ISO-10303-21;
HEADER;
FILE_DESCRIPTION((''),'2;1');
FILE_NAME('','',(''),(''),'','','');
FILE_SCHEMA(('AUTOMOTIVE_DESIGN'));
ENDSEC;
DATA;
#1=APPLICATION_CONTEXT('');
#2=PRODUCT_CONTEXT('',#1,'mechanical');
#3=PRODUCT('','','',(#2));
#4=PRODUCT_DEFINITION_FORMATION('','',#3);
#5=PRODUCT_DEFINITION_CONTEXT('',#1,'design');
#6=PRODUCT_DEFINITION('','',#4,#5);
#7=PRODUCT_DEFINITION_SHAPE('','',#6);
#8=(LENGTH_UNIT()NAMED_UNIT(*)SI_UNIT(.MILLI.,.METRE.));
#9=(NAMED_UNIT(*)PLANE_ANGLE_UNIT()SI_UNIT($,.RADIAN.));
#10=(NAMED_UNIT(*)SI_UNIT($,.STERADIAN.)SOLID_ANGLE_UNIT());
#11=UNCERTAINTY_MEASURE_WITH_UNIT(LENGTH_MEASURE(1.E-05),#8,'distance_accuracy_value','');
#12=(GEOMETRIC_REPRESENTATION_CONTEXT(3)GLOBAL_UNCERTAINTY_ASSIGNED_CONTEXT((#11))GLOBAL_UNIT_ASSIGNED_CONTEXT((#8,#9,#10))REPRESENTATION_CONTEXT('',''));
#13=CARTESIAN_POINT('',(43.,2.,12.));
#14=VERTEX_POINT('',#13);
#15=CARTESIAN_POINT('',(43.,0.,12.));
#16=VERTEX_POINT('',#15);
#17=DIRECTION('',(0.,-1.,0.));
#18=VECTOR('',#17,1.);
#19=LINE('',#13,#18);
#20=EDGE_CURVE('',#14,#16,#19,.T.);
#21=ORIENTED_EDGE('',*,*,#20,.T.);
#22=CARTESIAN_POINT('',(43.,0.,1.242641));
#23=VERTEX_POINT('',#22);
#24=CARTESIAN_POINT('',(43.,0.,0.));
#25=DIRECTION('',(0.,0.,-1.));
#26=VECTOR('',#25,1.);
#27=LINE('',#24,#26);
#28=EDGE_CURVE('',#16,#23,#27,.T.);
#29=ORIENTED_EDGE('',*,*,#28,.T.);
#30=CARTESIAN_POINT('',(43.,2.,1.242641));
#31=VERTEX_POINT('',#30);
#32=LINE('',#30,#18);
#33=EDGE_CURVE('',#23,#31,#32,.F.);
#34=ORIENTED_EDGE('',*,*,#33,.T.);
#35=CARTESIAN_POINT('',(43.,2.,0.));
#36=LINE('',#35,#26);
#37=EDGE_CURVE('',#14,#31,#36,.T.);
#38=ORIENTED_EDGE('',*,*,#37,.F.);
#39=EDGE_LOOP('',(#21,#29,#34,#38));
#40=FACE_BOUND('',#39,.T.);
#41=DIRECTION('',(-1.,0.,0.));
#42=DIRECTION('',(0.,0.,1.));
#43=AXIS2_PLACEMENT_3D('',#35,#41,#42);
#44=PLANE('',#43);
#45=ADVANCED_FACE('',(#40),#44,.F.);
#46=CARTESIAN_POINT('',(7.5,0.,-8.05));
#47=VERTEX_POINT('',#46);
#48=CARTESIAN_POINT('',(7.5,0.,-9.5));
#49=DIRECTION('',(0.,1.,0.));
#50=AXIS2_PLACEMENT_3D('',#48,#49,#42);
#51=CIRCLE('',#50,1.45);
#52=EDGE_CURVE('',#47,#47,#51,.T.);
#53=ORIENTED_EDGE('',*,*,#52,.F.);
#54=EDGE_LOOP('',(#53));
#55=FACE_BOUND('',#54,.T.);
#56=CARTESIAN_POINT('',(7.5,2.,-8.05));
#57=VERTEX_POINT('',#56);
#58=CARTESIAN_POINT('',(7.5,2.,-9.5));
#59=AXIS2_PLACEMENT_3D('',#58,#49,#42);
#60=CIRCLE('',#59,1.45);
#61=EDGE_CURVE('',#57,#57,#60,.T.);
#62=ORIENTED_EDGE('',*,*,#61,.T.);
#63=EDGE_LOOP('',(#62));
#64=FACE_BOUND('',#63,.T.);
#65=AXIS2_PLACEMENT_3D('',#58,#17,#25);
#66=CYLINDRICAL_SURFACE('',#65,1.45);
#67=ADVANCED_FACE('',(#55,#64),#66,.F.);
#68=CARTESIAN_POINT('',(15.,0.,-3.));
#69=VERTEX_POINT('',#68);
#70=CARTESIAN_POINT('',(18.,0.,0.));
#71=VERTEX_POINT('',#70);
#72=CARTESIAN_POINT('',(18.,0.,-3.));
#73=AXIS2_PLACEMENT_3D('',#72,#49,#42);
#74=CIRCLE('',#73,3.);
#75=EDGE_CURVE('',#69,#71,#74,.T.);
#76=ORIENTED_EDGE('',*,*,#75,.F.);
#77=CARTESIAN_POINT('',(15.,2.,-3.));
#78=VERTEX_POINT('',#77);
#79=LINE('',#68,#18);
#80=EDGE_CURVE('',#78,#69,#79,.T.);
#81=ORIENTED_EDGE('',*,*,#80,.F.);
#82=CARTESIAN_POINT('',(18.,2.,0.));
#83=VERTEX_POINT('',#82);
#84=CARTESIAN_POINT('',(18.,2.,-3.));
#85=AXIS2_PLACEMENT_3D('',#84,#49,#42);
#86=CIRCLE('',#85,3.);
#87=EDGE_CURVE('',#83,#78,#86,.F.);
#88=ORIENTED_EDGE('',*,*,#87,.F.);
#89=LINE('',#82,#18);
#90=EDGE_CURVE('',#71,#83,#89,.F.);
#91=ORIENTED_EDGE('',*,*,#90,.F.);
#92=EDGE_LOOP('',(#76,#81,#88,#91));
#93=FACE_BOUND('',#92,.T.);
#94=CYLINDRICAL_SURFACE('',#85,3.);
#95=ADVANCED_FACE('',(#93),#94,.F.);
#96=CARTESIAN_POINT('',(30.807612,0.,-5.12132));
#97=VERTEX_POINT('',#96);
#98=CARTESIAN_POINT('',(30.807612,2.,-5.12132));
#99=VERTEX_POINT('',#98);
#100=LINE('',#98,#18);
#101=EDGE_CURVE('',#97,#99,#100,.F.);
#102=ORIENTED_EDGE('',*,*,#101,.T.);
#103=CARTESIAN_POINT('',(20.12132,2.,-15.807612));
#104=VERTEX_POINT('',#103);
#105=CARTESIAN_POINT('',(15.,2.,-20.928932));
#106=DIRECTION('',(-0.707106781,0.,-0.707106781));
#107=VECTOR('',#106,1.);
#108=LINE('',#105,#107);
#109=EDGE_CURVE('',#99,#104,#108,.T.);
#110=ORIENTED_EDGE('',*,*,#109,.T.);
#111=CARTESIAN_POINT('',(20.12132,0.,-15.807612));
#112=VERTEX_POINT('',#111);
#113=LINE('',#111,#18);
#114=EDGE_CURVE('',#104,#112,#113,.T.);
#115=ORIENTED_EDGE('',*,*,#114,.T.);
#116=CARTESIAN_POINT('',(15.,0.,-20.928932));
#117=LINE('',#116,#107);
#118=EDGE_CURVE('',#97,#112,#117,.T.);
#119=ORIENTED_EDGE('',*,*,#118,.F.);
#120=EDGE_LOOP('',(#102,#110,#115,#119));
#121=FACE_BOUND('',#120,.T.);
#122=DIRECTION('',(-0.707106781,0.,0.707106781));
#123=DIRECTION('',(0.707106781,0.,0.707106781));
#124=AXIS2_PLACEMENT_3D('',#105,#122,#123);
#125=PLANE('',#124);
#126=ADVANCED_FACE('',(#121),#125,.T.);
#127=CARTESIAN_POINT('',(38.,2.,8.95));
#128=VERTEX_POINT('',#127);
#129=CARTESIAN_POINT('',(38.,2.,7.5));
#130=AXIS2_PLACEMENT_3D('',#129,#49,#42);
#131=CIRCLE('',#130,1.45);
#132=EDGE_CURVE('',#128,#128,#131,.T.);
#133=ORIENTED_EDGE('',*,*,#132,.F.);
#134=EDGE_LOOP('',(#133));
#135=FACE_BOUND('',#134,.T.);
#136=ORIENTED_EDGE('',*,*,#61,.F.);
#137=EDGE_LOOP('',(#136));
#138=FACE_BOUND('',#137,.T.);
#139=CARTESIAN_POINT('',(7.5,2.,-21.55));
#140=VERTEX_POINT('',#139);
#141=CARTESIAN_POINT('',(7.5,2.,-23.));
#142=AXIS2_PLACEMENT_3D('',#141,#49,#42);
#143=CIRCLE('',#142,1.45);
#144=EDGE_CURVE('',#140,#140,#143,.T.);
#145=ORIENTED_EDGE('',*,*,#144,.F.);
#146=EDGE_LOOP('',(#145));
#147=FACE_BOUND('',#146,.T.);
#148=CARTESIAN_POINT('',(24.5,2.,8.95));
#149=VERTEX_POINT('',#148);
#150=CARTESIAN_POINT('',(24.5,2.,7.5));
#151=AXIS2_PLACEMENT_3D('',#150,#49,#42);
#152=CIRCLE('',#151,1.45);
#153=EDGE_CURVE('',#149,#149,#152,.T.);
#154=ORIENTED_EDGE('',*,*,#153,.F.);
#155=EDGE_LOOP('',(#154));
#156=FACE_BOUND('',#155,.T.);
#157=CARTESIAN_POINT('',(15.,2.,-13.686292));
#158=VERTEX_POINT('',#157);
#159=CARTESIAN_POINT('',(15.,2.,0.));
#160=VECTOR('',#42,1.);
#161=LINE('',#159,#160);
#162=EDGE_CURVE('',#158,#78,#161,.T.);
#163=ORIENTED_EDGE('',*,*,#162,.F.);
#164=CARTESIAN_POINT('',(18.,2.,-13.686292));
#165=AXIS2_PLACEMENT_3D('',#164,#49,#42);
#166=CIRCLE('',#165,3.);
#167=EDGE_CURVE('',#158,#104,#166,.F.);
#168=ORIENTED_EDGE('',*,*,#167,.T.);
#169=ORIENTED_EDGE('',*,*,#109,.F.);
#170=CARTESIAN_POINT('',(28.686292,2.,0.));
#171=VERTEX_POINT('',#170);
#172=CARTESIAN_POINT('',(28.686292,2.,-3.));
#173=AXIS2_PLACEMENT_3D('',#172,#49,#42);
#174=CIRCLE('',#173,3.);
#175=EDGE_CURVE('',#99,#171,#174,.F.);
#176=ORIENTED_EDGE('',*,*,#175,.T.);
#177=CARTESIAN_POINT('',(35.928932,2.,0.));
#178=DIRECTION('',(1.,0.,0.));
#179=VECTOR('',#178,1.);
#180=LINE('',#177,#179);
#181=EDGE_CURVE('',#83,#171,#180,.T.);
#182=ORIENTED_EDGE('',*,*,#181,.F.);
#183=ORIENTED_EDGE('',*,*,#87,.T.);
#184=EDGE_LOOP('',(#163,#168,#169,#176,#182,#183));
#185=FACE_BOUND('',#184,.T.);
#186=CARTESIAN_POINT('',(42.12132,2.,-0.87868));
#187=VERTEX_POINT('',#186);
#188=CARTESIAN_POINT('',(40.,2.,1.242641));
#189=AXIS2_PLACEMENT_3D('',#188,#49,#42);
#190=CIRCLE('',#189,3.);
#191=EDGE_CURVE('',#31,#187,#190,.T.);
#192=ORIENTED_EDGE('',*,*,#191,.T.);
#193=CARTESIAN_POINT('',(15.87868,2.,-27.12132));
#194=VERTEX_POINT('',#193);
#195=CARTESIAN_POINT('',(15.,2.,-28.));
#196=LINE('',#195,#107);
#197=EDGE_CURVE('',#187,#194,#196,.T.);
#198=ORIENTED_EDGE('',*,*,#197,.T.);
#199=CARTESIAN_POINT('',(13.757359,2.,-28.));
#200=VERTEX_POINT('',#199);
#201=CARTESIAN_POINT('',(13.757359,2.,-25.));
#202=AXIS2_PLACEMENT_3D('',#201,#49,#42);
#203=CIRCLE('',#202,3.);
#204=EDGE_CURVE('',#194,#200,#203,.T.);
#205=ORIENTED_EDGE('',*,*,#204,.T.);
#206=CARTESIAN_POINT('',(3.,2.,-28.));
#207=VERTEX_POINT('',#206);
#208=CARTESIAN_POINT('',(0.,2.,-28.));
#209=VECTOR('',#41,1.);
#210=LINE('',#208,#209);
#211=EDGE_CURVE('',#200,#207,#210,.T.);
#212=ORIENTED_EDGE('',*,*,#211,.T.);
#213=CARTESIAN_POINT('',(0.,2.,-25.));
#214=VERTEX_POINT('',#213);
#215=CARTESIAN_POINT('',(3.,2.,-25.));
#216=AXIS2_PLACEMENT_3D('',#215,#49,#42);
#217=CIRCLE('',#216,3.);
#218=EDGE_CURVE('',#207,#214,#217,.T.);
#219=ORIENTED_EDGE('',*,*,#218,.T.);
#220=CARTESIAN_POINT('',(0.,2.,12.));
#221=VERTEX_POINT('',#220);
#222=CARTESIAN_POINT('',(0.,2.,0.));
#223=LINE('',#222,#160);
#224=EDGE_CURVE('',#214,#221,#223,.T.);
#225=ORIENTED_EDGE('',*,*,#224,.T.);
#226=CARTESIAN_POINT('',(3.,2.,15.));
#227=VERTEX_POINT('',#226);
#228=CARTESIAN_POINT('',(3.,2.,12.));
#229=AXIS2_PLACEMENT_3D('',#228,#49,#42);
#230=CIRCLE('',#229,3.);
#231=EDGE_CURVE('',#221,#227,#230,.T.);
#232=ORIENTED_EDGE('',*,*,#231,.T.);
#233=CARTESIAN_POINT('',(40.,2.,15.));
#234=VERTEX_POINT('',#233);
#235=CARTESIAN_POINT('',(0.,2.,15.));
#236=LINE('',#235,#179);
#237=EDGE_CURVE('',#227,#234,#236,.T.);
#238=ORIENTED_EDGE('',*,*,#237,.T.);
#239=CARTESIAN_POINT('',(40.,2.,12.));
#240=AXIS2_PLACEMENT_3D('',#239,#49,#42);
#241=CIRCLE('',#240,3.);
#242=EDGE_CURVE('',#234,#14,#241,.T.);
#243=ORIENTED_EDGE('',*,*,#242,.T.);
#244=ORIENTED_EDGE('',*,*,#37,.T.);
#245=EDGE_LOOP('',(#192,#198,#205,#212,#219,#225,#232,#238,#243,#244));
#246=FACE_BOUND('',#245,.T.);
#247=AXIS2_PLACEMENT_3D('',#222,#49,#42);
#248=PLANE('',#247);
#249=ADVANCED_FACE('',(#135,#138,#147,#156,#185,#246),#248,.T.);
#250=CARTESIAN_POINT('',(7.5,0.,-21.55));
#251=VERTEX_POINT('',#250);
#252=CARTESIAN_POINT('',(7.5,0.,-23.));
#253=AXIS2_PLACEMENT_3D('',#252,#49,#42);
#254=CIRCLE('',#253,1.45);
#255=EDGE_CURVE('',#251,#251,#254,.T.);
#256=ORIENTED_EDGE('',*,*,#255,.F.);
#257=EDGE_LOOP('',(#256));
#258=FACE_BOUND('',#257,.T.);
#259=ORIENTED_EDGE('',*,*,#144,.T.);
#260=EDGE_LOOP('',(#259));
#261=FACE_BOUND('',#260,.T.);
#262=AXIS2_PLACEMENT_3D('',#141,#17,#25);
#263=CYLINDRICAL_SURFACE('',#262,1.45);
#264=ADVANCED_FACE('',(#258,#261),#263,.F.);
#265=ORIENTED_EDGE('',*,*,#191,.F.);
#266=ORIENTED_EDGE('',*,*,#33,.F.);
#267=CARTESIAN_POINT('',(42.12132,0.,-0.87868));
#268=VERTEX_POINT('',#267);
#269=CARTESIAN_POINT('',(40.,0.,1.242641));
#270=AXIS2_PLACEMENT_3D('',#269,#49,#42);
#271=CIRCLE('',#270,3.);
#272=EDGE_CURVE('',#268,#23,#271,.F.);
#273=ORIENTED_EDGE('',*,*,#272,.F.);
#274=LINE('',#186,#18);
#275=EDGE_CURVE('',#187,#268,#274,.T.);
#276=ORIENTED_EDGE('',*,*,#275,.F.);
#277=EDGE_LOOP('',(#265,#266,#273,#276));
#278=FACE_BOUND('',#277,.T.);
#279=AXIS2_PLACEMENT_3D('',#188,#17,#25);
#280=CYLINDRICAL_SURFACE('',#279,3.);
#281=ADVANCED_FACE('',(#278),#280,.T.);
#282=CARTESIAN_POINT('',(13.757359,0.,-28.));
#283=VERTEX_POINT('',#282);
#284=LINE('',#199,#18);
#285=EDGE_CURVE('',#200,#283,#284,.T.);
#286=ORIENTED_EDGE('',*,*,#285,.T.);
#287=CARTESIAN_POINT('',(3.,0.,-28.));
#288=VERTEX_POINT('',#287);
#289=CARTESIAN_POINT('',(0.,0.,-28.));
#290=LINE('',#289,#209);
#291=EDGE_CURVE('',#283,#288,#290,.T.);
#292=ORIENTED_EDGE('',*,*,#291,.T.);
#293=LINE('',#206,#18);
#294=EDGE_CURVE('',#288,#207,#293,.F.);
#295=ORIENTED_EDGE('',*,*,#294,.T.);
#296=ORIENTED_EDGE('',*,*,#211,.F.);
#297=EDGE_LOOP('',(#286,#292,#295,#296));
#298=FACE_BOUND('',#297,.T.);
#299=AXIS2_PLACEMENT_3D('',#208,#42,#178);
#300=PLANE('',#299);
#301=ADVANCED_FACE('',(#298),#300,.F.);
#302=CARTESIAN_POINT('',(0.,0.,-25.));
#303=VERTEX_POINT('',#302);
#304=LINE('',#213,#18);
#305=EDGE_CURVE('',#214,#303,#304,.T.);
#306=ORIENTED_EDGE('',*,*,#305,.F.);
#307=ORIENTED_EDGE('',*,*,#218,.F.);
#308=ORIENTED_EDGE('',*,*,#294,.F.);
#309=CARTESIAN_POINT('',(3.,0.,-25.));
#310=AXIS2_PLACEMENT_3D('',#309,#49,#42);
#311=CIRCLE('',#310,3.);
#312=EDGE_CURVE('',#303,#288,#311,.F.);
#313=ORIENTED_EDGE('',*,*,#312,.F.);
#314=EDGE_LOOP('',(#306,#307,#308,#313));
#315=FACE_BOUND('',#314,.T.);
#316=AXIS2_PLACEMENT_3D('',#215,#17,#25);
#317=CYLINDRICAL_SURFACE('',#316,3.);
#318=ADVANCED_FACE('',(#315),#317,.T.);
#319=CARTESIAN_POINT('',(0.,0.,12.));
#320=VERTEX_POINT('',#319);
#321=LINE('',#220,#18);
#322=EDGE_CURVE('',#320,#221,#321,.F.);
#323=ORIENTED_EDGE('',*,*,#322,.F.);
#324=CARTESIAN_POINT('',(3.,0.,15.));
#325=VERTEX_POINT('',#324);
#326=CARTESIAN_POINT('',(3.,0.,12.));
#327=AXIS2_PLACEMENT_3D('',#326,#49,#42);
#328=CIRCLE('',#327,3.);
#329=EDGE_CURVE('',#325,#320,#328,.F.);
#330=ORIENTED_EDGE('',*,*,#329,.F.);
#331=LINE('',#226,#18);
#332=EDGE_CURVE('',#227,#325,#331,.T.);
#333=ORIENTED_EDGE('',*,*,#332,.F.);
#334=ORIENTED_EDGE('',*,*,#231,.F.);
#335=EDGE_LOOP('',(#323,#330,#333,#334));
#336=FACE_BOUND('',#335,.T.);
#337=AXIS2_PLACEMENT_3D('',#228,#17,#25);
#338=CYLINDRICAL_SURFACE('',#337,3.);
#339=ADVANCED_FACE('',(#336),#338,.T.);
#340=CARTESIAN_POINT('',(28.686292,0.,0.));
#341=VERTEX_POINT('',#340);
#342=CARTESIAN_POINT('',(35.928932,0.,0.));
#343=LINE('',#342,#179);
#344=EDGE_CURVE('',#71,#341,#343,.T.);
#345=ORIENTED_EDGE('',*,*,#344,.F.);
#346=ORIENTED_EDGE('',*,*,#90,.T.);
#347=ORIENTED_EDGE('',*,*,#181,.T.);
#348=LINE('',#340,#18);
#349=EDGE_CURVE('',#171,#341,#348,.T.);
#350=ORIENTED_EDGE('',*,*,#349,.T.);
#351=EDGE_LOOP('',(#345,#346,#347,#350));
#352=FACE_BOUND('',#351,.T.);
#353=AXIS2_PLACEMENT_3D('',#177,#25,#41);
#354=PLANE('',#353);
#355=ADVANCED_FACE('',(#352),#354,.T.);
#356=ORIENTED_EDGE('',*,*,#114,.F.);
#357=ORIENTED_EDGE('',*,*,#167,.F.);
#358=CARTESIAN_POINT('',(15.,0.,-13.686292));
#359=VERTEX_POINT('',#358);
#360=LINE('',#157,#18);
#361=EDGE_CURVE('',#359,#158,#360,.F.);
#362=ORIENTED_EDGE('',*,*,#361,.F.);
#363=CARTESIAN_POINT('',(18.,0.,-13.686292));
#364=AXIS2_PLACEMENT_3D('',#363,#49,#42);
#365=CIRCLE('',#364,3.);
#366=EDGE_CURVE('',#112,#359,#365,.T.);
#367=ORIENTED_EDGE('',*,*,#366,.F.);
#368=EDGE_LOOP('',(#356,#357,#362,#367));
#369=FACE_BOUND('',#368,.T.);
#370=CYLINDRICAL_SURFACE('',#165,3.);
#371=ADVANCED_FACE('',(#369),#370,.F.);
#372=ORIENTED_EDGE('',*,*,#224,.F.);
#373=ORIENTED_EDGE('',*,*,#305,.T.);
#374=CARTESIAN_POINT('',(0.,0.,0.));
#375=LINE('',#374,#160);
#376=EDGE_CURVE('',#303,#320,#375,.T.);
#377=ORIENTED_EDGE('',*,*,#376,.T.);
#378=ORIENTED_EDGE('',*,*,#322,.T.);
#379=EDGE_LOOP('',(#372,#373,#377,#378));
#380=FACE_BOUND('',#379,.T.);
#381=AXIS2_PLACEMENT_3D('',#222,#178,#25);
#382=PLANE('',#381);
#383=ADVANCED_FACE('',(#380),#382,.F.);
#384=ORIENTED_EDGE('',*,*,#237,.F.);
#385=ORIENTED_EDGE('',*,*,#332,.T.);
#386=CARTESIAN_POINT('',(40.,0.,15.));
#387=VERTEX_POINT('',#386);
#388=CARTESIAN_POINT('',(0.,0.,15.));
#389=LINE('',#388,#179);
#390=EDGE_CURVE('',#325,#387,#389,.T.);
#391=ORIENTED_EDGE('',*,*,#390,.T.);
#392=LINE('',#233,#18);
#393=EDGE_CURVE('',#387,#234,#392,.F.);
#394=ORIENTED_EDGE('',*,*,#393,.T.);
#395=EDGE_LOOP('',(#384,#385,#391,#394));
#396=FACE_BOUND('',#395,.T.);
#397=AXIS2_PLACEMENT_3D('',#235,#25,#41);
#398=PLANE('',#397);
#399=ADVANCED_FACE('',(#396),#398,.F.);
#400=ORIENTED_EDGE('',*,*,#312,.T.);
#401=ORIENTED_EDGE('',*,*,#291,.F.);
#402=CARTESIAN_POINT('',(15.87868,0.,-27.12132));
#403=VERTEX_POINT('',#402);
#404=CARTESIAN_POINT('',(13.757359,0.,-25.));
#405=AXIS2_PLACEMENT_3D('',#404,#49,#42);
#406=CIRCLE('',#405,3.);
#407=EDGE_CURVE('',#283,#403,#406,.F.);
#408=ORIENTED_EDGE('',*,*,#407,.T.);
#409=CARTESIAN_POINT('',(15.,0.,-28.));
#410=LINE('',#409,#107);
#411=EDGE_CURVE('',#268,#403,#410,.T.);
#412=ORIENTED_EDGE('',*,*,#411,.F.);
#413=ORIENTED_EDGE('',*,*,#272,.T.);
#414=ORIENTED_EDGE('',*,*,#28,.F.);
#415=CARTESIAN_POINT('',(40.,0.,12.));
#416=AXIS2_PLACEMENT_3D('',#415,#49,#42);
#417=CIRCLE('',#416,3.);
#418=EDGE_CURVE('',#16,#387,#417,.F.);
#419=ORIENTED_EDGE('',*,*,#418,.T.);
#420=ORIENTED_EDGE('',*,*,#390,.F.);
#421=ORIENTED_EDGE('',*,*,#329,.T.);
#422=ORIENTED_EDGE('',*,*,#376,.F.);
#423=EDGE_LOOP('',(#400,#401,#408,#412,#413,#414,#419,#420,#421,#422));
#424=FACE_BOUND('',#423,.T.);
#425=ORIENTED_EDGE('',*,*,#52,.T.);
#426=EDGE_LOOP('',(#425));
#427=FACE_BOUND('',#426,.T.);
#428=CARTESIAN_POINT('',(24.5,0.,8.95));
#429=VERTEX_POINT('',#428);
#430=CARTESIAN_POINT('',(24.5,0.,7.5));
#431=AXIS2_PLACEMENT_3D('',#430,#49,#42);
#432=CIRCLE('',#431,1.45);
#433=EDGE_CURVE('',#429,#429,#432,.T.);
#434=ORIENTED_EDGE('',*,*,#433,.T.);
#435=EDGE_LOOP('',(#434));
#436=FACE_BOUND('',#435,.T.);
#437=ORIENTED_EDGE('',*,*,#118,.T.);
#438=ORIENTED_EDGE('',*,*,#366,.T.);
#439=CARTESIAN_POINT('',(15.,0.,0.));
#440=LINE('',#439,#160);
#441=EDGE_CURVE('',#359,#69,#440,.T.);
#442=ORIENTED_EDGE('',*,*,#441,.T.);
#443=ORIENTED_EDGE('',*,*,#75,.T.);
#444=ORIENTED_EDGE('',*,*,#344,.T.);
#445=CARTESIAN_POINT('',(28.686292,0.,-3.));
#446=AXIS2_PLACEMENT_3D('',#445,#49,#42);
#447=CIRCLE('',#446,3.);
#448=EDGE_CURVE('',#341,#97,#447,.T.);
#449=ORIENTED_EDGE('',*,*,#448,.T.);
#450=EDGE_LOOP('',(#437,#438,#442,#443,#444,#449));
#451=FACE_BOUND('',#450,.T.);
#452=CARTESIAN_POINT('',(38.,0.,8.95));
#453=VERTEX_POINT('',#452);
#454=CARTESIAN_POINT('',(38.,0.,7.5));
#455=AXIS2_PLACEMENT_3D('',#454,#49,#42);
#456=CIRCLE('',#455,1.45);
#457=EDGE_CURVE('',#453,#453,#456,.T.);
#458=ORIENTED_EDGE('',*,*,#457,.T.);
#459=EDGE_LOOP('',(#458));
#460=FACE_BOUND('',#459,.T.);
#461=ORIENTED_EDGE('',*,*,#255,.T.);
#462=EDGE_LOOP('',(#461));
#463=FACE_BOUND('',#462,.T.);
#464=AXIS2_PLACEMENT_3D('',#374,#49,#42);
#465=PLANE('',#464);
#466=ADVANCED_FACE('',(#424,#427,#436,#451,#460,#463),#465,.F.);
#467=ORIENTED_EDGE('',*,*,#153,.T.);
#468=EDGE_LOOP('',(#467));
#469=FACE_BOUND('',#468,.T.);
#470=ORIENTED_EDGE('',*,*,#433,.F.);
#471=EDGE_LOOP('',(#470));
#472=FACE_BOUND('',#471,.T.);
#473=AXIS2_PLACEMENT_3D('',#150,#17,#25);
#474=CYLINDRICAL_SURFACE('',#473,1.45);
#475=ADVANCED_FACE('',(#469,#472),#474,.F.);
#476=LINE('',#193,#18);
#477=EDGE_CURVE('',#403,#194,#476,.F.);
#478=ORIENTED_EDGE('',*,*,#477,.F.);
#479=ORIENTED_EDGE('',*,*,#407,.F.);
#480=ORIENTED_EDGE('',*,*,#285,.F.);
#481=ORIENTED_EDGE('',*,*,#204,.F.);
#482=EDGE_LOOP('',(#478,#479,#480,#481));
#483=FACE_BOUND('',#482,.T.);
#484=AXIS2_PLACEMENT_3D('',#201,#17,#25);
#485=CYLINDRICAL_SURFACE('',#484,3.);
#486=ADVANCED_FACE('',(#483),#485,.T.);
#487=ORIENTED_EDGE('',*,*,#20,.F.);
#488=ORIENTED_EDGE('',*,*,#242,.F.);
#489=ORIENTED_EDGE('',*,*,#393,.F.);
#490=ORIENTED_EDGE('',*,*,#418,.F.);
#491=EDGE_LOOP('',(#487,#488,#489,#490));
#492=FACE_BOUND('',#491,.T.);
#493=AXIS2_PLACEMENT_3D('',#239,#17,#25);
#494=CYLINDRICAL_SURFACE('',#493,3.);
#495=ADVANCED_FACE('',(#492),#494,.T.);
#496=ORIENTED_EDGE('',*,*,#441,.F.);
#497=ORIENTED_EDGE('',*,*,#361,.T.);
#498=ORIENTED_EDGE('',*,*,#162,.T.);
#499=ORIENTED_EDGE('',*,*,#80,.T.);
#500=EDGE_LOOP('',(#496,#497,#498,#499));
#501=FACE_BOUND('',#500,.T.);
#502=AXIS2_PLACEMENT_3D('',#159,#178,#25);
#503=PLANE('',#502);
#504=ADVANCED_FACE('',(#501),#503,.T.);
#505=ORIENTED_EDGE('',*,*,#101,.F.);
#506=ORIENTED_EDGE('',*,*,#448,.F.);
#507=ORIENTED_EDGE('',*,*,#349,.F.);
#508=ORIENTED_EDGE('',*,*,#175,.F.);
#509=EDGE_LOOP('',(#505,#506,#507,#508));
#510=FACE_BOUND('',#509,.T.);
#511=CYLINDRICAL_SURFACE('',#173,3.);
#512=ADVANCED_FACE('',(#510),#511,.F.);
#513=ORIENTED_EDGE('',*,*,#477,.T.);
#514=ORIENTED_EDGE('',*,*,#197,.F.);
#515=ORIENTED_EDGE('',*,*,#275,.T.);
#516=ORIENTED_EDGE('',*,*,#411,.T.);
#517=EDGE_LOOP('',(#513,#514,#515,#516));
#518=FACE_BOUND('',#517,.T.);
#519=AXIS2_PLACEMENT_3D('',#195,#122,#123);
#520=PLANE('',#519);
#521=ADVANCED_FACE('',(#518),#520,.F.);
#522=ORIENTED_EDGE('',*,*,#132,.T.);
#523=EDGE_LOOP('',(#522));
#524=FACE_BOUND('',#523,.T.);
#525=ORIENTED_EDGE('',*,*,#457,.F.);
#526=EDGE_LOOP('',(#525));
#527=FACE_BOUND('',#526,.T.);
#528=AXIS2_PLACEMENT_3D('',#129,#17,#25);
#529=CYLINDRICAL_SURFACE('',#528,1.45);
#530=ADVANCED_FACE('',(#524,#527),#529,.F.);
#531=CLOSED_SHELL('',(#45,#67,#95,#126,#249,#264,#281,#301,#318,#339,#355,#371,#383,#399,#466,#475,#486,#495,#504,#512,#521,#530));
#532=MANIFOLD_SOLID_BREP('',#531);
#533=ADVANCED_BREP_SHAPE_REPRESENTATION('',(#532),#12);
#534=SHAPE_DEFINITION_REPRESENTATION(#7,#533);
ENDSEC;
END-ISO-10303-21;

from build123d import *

# Parameters (mm, degrees)
SKETCH_1_R      = 1.45
EXTRUDE_1_DEPTH = 2
FILLET_2_R      = 3


with BuildPart() as part:
    # 草图1 → 凸台-拉伸1 (new body)
    with BuildSketch(Plane(origin=(0, 0, 0), x_dir=(1, 0, 0), z_dir=(0, 1, 0))):
        Polygon((15, 28), (43, 0), (43, -15), (0, -15), (0, 0), (0, 28), align=None)
        with Locations(Location((24.5, -7.5, 0), (0, 0, 270))):
            Circle(SKETCH_1_R, mode=Mode.SUBTRACT)
        with Locations(Location((7.5, 9.5, 0), (0, 0, 270))):
            Circle(SKETCH_1_R, mode=Mode.SUBTRACT)
        with Locations(Location((38, -7.5, 0), (0, 0, 270))):
            Circle(SKETCH_1_R, mode=Mode.SUBTRACT)
        with Locations(Location((7.5, 23, 0), (0, 0, 270))):
            Circle(SKETCH_1_R, mode=Mode.SUBTRACT)
        Polygon((15, 20.928932188), (35.928932188, 0), (15, 0), align=None, mode=Mode.SUBTRACT)
    extrude(amount=EXTRUDE_1_DEPTH)

    # 圆角2
    fillet_2_edges = [part.edges().sort_by_distance(p)[0] for p in [
        (0, 1, -28),
        (15, 1, -28),
        (43, 1, 0),
        (43, 1, 15),
        (0, 1, 15),
        (15, 1, -20.928932188),
        (15, 1, 0),
        (35.928932188, 1, 0),
    ]]
    fillet(fillet_2_edges, radius=FILLET_2_R)


solid = part.part
